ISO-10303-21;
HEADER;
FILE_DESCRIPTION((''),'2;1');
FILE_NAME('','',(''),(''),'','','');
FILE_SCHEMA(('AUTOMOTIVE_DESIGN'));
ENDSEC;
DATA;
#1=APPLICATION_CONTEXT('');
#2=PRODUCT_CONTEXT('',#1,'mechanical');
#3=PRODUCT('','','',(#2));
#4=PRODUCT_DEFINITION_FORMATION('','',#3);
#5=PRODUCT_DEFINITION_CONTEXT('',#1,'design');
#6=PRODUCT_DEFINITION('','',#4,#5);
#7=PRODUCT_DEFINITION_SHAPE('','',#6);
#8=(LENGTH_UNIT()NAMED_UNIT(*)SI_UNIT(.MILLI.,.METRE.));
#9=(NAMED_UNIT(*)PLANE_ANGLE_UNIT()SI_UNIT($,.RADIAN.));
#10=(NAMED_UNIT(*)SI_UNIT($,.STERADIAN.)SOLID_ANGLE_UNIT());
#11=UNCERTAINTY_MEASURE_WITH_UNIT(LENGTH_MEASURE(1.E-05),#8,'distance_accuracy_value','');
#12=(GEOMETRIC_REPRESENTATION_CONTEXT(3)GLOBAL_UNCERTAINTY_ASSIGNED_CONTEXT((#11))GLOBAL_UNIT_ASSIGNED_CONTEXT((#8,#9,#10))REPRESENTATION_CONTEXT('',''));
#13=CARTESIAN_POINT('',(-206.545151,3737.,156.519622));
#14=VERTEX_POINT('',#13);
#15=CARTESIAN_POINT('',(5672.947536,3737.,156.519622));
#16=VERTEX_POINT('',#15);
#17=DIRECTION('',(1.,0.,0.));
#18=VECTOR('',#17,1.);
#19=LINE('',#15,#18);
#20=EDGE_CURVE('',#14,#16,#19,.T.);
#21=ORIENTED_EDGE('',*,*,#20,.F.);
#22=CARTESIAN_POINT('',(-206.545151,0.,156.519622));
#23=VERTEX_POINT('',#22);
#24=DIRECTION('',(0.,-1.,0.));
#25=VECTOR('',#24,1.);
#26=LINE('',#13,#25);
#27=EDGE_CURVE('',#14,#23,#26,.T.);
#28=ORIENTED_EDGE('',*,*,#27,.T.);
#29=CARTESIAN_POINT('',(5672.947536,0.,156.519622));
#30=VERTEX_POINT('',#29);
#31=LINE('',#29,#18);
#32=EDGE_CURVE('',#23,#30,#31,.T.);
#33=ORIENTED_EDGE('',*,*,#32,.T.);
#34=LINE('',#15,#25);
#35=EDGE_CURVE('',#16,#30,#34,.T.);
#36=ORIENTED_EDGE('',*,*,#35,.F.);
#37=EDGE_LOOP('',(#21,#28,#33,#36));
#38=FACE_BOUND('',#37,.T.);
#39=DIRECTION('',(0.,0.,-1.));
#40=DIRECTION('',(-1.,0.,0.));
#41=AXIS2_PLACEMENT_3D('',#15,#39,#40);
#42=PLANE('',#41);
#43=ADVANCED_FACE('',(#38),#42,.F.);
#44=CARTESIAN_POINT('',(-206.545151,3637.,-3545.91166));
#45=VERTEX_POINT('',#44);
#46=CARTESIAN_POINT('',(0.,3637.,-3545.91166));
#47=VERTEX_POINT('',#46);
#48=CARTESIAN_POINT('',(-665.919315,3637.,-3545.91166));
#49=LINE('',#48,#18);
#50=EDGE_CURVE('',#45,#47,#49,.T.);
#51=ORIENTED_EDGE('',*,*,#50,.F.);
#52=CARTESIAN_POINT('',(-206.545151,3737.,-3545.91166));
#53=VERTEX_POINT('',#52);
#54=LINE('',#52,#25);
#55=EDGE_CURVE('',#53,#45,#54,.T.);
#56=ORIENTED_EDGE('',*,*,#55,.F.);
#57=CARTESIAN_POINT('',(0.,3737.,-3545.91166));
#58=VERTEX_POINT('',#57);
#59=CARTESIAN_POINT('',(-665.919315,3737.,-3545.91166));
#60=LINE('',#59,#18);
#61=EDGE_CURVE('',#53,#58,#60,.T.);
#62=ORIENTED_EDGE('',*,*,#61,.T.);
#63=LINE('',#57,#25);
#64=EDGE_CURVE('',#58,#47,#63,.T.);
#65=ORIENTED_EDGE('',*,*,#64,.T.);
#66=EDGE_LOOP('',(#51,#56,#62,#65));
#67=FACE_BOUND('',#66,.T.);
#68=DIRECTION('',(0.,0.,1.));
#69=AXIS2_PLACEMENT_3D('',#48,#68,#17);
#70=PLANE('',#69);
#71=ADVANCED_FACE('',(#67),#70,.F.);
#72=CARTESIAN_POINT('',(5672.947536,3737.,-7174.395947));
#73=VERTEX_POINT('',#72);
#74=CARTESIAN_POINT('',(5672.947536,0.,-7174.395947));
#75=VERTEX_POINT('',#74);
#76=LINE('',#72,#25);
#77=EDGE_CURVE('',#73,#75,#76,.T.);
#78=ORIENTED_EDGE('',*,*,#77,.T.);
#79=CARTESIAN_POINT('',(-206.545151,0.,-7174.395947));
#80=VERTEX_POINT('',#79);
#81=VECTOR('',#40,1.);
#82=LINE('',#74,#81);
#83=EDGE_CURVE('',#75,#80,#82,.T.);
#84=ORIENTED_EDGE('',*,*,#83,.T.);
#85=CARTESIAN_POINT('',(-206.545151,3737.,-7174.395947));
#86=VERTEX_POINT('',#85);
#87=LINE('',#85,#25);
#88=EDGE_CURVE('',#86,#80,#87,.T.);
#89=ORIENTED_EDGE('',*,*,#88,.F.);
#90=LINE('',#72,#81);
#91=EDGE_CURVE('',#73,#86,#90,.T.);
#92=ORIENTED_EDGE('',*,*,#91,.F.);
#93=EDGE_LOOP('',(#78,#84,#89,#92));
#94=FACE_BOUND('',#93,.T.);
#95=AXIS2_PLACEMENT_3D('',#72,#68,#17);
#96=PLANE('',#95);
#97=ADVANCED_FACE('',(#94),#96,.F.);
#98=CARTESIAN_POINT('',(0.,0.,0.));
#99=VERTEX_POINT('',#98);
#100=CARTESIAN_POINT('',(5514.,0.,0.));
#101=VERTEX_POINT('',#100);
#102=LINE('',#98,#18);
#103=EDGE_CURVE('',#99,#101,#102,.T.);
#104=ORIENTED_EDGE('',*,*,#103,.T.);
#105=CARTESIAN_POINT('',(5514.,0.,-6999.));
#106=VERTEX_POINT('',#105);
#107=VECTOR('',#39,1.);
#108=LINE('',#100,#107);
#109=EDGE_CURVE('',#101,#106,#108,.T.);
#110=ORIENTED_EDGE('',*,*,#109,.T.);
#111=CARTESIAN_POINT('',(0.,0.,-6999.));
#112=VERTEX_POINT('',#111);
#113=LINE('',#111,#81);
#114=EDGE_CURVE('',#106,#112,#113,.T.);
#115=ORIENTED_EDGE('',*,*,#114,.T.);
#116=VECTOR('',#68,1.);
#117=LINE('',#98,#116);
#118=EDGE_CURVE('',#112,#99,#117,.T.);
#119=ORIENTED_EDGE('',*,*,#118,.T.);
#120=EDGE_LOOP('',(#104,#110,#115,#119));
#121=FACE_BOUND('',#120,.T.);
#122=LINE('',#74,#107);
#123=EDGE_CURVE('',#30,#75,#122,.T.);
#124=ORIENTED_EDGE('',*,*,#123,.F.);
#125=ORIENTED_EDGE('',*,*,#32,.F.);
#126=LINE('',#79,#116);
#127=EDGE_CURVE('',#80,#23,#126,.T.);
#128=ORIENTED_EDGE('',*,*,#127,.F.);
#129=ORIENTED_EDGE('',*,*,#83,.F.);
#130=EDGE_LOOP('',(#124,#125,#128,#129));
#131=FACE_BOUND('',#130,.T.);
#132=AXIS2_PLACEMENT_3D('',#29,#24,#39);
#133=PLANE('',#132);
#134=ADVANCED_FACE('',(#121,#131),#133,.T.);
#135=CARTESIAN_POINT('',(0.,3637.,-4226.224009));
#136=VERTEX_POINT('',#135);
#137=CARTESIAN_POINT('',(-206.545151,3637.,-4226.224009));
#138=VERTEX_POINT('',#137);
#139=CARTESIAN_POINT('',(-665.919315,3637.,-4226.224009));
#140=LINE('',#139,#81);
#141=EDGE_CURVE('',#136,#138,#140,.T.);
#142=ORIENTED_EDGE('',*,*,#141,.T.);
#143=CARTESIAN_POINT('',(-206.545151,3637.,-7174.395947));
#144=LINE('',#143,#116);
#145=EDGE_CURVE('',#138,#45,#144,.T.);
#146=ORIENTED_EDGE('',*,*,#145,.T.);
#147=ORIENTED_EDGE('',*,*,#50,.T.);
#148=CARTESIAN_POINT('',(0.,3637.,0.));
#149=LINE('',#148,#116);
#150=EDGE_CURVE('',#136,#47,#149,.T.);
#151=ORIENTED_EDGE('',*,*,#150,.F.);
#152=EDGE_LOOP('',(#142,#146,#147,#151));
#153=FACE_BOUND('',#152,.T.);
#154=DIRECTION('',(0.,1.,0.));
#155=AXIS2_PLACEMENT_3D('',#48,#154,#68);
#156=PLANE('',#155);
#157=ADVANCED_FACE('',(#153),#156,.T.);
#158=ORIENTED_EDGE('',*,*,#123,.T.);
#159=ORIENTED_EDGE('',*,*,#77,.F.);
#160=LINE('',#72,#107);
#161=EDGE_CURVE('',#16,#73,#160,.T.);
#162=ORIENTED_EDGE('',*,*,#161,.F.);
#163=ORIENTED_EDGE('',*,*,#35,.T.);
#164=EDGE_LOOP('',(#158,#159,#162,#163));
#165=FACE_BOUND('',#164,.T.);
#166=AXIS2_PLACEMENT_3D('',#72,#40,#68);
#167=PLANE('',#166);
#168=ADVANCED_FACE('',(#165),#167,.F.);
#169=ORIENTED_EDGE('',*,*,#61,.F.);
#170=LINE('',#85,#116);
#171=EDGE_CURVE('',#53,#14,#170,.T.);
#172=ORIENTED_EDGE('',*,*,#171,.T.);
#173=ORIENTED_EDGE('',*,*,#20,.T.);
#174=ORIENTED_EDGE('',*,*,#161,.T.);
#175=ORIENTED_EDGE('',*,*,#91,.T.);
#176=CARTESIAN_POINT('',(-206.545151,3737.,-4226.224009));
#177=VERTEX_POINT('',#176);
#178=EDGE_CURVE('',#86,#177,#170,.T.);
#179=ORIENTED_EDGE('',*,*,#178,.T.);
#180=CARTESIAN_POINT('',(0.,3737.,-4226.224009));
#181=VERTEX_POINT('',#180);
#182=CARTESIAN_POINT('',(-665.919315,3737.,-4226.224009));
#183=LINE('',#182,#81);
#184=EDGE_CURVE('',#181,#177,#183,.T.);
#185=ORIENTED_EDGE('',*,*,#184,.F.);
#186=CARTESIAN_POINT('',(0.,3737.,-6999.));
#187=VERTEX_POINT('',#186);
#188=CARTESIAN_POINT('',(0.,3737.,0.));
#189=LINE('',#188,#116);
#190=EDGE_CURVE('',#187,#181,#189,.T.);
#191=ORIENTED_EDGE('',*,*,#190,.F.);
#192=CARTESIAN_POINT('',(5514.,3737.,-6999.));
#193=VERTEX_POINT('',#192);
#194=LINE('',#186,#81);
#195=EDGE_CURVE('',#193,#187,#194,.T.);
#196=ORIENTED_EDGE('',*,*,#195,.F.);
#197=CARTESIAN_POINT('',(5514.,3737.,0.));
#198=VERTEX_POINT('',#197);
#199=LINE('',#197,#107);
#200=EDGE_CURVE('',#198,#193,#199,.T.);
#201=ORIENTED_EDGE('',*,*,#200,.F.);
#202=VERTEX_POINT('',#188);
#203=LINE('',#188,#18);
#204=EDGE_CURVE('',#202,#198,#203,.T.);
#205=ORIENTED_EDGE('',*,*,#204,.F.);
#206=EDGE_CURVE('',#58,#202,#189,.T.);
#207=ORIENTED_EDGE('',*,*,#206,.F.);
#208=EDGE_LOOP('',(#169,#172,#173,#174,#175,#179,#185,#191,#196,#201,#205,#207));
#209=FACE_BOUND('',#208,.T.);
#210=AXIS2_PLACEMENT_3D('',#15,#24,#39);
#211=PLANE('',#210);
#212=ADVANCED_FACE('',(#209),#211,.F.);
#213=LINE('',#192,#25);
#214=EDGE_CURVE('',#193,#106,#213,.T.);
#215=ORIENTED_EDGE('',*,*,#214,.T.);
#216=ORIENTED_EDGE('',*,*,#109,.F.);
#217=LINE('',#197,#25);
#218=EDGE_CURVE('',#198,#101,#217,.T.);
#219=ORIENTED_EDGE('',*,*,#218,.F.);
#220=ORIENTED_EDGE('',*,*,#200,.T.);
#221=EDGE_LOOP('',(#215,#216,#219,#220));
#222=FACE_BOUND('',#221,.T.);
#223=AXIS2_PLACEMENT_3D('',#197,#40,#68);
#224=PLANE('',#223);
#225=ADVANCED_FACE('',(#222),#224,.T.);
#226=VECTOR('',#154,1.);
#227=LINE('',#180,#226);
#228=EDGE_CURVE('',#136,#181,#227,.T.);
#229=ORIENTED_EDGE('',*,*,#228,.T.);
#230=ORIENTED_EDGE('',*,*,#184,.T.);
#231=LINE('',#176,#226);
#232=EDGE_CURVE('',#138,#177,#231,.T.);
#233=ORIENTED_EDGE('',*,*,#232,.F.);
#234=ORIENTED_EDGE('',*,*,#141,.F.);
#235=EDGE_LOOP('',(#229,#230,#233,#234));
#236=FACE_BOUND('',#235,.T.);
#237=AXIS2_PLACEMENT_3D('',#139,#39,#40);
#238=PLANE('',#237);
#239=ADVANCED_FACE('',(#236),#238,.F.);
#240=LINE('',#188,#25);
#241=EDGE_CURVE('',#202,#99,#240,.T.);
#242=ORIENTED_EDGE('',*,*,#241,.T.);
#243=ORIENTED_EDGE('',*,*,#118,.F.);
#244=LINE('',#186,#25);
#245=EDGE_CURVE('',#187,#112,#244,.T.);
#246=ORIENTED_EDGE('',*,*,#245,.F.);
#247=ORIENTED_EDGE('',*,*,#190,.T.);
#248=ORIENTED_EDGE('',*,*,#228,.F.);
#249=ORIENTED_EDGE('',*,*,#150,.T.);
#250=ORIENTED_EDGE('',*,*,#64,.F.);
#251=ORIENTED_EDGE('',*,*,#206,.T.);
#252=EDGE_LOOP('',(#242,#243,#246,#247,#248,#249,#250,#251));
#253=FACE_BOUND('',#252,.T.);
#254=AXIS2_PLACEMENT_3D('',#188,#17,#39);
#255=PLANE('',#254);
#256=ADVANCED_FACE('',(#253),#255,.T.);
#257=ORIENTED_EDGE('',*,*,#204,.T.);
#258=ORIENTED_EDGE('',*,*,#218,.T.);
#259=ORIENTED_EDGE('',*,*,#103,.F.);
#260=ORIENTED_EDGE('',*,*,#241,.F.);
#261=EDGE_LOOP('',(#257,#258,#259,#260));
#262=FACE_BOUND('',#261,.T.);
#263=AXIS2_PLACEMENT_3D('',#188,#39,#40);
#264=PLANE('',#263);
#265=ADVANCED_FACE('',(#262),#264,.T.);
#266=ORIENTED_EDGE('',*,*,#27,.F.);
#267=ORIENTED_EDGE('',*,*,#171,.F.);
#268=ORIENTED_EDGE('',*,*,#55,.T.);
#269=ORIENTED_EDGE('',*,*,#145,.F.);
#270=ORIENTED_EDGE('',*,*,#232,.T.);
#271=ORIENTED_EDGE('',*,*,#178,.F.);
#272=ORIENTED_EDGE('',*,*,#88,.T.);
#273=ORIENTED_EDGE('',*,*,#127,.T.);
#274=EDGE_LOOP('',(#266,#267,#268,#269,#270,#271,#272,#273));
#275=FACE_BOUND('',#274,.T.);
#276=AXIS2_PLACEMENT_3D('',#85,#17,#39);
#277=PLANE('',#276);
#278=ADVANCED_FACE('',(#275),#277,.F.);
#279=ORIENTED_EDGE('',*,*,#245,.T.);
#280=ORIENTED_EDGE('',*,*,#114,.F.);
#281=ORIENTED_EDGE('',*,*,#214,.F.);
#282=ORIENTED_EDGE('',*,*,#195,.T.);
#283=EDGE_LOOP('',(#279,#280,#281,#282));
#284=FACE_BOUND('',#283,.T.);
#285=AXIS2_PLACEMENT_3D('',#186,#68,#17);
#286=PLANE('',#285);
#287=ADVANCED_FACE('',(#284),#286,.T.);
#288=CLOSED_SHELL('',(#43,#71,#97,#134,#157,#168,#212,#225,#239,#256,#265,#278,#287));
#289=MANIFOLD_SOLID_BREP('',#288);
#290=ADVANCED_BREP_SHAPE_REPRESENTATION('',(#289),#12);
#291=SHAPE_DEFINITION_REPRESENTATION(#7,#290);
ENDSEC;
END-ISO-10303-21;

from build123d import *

# Parameters (mm, degrees)
SKETCH1_W           = 5879.492687141
SKETCH1_H           = 7330.915568067
SKETCH1_W_2         = 5514
SKETCH1_H_2         = 6999
BOSS_EXTRUDE1_DEPTH = 3737
SKETCH2_W           = 1168.362513452
SKETCH2_H           = 680.312349606
CUT_EXTRUDE1_DEPTH  = 100


with BuildPart() as part:
    # Sketch1 → Boss-Extrude1 (new body)
    with BuildSketch(Plane(origin=(0, 0, 0), x_dir=(1, 0, 0), z_dir=(0, 1, 0))):
        with Locations((2733.201192899, 3508.938162482)):
            Rectangle(SKETCH1_W, SKETCH1_H)
        with Locations((2757, 3499.5)):
            Rectangle(SKETCH1_W_2, SKETCH1_H_2, mode=Mode.SUBTRACT)
    extrude(amount=BOSS_EXTRUDE1_DEPTH)

    # Sketch2 → Cut-Extrude1 (cut)
    with BuildSketch(Plane(origin=(0, 3737, 0), x_dir=(-1, 0, 0), z_dir=(0, 1, 0))):
        with Locations((81.738058405, -3886.067834545)):
            Rectangle(SKETCH2_W, SKETCH2_H)
    extrude(amount=-CUT_EXTRUDE1_DEPTH, mode=Mode.SUBTRACT)


solid = part.part
